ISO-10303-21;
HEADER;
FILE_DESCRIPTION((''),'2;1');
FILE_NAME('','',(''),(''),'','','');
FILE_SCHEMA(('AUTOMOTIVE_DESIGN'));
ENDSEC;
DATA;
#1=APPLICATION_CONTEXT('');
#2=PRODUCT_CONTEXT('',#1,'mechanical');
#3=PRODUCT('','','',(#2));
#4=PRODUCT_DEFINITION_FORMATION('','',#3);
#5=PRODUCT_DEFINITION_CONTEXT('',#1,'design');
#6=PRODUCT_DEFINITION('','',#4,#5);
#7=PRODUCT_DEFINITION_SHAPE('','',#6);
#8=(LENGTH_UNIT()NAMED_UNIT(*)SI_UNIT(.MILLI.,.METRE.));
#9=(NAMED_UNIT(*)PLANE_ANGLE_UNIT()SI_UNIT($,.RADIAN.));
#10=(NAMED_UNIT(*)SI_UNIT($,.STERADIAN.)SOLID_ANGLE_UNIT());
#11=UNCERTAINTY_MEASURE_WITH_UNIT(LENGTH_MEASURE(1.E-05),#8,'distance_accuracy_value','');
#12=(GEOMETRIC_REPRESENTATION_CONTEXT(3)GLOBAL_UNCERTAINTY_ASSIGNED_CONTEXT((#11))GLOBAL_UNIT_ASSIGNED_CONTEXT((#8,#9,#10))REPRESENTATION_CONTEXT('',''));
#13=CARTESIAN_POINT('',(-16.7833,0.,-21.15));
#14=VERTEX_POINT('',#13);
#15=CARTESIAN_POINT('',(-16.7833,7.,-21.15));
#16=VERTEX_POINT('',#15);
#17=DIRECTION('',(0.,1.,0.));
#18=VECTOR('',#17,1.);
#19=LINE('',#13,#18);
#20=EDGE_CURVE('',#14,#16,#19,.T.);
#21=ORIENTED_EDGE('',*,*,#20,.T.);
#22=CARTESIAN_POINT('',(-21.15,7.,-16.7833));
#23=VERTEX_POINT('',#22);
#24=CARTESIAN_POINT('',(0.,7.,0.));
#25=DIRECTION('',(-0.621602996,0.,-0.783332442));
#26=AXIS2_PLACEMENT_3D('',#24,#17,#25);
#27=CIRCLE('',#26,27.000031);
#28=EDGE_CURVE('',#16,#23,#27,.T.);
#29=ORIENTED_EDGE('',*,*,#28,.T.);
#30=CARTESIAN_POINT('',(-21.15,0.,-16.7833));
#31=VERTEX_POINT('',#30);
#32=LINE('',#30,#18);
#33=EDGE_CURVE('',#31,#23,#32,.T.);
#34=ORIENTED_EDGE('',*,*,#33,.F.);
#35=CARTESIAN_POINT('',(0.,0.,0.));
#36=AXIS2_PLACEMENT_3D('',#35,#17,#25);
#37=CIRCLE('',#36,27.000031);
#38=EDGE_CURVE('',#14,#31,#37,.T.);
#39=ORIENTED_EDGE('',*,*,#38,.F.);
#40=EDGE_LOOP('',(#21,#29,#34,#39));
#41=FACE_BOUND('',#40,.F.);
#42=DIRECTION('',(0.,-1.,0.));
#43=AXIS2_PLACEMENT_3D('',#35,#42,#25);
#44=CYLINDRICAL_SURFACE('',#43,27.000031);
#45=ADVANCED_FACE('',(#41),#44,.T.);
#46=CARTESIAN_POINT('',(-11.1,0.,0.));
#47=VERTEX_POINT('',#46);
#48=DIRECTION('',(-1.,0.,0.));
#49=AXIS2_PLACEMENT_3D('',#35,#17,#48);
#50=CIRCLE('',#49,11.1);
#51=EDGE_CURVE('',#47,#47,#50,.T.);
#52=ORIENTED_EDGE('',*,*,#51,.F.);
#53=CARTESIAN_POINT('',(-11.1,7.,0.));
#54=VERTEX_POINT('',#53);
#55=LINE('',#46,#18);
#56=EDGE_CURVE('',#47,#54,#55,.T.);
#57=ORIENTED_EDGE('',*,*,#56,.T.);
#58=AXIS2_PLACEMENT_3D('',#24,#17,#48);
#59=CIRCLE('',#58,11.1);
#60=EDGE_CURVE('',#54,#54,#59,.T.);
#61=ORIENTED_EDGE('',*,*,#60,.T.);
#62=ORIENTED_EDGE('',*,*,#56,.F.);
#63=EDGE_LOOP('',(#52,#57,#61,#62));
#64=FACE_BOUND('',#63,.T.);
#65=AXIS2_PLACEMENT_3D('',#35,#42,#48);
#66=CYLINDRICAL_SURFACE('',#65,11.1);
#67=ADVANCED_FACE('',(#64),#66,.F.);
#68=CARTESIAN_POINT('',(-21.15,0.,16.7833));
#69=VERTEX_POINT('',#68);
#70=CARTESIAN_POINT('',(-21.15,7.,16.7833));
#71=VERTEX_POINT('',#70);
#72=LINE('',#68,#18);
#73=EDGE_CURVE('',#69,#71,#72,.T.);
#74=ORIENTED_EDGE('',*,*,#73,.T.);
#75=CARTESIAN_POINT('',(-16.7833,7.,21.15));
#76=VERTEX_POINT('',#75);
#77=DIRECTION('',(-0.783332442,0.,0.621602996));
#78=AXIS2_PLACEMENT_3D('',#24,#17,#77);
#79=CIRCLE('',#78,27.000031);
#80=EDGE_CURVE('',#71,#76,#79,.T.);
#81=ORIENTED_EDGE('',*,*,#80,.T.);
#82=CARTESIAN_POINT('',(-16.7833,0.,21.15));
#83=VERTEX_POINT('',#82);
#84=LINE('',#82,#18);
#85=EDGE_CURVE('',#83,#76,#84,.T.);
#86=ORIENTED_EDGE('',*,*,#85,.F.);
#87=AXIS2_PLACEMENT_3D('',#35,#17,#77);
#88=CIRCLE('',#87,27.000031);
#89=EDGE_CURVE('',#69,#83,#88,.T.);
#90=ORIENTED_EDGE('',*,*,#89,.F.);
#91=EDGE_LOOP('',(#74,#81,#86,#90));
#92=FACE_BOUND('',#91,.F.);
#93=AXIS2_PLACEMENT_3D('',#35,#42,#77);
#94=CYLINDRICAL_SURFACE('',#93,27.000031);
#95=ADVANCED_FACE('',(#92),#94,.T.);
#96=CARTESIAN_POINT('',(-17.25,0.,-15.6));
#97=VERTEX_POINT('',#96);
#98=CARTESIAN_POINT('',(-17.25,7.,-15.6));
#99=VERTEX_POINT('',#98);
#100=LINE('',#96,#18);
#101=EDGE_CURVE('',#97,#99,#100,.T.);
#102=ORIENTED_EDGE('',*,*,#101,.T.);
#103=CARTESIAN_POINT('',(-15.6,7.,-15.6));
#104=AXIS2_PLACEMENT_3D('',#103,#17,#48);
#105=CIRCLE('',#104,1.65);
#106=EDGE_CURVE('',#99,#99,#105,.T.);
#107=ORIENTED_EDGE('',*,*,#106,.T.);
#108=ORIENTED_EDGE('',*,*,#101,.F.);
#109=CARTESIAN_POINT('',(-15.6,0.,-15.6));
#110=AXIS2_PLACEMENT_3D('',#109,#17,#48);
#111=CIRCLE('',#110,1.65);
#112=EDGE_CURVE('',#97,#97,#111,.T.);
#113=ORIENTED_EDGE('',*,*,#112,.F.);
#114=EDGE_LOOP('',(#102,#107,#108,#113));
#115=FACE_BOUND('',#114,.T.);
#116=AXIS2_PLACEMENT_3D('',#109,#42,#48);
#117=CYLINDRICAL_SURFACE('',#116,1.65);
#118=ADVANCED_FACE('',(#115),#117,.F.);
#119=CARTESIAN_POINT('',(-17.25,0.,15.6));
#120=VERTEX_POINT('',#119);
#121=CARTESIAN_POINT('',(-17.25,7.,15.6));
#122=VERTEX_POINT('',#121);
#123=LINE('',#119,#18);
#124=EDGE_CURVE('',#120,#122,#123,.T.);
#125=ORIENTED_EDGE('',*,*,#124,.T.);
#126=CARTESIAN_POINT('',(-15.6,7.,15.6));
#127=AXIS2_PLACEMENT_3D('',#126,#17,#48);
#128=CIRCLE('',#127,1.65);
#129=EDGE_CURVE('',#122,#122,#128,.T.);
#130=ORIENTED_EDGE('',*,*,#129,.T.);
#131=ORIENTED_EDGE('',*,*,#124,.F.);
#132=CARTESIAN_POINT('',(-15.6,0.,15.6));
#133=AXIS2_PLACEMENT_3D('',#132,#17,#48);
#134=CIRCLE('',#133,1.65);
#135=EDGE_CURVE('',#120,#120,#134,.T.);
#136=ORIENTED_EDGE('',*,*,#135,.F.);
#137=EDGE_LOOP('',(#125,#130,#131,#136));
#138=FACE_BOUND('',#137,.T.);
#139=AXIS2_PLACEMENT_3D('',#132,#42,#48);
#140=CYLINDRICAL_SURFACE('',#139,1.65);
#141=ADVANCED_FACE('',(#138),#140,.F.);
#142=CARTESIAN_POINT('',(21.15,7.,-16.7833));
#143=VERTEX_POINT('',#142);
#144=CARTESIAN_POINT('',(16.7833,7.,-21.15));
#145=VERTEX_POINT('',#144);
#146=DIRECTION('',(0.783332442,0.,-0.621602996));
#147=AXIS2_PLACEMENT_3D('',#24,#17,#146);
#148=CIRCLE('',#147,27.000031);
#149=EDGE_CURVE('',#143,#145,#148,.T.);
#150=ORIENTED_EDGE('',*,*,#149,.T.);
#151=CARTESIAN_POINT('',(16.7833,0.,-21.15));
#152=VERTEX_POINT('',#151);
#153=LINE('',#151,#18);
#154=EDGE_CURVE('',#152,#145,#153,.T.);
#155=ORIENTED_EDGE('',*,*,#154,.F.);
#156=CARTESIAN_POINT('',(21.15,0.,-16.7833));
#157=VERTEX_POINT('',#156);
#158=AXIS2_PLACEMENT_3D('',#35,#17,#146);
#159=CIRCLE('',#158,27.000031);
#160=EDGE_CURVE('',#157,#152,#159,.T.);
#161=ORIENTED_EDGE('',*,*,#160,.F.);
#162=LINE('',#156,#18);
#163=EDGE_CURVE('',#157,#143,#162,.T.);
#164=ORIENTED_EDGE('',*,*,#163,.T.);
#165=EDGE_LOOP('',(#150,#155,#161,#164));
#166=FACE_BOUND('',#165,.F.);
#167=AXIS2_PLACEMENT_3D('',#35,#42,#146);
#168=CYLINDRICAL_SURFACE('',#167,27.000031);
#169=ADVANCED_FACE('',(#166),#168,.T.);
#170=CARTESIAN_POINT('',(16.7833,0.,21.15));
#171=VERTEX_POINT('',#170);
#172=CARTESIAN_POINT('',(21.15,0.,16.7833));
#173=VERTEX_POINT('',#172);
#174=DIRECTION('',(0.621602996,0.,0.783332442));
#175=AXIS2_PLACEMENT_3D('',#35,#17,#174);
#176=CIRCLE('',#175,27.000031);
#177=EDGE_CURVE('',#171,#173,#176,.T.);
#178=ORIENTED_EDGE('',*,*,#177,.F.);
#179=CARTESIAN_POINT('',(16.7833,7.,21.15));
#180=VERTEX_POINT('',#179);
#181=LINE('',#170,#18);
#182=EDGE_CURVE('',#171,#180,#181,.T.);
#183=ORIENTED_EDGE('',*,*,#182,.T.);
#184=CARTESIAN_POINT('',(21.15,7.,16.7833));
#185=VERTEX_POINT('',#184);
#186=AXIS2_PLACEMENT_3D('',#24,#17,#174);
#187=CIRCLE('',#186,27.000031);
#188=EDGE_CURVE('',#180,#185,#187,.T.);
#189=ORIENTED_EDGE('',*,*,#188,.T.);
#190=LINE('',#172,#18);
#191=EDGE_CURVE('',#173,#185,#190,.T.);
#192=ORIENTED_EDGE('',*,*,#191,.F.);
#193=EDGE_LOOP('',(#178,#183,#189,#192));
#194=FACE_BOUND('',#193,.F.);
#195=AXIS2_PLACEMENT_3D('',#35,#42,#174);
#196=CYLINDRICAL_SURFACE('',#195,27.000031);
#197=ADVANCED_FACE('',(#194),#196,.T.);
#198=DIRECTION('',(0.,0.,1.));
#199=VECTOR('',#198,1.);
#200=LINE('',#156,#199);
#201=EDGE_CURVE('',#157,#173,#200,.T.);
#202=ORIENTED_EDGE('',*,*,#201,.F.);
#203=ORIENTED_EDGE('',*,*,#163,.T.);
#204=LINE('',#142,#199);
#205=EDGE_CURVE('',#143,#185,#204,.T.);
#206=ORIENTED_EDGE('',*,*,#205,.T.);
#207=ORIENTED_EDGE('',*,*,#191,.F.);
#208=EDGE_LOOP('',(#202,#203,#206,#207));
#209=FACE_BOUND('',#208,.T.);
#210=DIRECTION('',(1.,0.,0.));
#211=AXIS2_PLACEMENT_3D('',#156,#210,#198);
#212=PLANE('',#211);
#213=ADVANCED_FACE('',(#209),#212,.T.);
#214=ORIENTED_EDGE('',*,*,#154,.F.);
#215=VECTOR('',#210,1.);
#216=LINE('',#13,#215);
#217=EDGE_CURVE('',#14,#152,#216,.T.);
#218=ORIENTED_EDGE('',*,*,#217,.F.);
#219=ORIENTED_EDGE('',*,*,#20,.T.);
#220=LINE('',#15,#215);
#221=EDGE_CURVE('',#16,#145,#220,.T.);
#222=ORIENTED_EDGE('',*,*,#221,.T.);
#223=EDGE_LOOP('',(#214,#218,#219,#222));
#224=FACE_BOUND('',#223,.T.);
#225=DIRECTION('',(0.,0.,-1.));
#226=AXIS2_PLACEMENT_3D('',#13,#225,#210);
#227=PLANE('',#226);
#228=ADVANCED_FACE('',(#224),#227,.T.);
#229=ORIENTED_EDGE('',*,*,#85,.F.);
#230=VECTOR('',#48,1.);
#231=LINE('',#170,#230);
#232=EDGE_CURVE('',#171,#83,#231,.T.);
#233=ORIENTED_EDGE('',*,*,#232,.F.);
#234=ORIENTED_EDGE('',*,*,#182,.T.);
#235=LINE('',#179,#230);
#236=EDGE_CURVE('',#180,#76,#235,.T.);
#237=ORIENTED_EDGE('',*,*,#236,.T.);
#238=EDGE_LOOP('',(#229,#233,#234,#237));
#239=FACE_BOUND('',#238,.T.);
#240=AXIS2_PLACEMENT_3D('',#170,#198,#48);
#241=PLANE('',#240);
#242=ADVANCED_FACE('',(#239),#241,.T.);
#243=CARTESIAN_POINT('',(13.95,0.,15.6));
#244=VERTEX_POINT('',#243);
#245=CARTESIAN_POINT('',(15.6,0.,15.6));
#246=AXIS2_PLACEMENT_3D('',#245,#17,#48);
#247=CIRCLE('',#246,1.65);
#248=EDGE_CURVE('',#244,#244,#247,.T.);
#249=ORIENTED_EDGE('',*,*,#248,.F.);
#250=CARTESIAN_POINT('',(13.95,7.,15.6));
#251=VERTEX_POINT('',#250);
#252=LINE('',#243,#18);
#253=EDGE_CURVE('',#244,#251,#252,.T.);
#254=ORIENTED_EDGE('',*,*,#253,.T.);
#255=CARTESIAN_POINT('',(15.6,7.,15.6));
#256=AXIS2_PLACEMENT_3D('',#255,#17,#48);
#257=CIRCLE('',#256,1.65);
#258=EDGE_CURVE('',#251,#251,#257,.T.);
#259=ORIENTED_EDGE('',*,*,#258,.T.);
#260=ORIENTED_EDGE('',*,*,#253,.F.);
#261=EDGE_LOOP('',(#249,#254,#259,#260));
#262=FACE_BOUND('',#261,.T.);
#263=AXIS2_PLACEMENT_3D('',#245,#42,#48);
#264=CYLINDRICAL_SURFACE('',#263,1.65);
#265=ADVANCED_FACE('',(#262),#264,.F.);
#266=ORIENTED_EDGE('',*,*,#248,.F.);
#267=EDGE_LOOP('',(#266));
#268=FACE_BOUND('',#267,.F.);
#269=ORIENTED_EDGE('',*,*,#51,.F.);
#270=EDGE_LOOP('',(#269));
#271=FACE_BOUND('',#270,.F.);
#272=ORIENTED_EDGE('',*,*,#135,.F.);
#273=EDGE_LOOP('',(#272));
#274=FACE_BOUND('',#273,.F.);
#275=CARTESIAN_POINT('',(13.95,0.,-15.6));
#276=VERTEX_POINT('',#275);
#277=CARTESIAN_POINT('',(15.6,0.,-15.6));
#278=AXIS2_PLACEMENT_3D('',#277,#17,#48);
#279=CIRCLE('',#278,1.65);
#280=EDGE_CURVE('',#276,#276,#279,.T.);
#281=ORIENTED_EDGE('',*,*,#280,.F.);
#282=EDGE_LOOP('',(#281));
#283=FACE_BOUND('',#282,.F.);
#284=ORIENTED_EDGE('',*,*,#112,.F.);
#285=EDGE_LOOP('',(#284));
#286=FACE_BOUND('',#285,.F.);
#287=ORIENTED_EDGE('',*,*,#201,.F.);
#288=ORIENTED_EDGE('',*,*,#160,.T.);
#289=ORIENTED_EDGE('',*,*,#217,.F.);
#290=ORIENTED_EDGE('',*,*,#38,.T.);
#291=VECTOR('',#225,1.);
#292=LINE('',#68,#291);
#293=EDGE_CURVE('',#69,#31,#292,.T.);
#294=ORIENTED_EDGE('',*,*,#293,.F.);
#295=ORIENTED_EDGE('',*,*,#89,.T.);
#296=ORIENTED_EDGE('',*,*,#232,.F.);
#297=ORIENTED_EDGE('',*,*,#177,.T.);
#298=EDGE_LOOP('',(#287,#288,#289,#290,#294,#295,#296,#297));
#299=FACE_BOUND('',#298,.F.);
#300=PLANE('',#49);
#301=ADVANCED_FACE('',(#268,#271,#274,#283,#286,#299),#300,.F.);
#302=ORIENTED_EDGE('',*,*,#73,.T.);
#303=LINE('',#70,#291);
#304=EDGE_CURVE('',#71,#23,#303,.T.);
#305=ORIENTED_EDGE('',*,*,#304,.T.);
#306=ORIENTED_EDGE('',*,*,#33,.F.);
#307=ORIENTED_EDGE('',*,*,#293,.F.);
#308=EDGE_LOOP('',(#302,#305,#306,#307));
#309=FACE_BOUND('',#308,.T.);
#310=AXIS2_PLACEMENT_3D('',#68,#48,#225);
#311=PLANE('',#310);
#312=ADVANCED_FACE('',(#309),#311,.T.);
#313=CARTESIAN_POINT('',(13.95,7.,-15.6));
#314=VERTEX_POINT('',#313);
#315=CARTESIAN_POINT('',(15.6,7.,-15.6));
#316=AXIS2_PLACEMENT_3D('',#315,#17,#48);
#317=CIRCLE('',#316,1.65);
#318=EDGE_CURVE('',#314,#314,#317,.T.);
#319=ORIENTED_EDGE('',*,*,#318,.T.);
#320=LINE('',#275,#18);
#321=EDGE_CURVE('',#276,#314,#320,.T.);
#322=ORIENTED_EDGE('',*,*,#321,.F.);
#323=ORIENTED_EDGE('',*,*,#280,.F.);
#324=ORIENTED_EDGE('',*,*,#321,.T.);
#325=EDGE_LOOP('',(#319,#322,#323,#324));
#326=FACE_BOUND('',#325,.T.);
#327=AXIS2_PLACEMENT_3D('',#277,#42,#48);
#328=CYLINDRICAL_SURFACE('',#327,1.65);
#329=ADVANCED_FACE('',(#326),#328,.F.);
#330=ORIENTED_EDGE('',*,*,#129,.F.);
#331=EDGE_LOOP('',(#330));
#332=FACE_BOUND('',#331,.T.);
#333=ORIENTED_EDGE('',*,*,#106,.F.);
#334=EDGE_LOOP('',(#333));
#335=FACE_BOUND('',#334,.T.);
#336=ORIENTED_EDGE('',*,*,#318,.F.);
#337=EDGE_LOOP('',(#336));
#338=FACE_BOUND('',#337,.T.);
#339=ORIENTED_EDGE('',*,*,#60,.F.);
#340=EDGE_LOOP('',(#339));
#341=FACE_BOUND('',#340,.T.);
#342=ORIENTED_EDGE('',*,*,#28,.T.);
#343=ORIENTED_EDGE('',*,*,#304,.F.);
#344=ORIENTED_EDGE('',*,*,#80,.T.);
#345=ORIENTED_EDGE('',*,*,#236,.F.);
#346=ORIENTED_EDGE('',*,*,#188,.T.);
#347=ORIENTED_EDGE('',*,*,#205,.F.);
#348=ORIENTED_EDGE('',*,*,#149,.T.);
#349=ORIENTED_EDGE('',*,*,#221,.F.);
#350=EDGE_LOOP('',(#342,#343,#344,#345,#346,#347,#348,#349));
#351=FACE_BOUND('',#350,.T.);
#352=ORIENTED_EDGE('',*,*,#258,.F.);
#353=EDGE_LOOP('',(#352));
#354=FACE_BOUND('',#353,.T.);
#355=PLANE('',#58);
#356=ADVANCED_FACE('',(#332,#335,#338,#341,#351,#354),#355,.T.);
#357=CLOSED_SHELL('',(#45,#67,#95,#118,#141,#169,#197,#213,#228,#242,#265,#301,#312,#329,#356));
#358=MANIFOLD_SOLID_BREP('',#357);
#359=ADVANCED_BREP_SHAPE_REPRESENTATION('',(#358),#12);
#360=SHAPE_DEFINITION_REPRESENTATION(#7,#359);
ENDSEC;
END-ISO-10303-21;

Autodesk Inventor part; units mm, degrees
ref_plane "YZ Plane" through (0, 0, 0) normal (1, 0, 0) x (0, 1, 0)
ref_plane "XZ Plane" through (0, 0, 0) normal (0, 1, 0) x (-1, 0, 0)
ref_plane "XY Plane" through (0, 0, 0) normal (0, 0, 1) x (1, 0, 0)
sketch "Szkic1" plane through (0, 0, 0) normal (0, 1, 0) x (-1, 0, 0)
  line L0 (-16.7833, 21.15) -> (16.7833, 21.15)
  line L1 (21.15, 16.7833) -> (21.15, -16.7833)
  line L2 (16.7833, -21.15) -> (-16.7833, -21.15)
  line L3 (-21.15, -16.7833) -> (-21.15, 16.7833)
  line L4 (-21.15, 21.15) -> (21.15, -21.15) construction
  line L5 (21.15, 21.15) -> (-21.15, -21.15) construction
  circle A0 centre (15.6, 15.6) radius 1.65
  arc A1 (-16.7833, 21.15) -> (-21.15, 16.7833) centre (0, 0) ccw
  arc A2 (-21.15, -16.7833) -> (-16.7833, -21.15) centre (0, 0) ccw
  arc A3 (16.7833, -21.15) -> (21.15, -16.7833) centre (0, 0) ccw
  arc A4 (21.15, 16.7833) -> (16.7833, 21.15) centre (0, 0) ccw
  circle A5 centre (-15.6, 15.6) radius 1.65
  circle A6 centre (-15.6, -15.6) radius 1.65
  circle A7 centre (15.6, -15.6) radius 1.65
  circle A8 centre (0, 0) radius 11.1
  dimension "d0" = 42.3
  dimension "d1" = 42.3
  dimension "d2" = 15.6
  dimension "d3" = 3.3
  dimension "d7" = 360
  dimension "d11" = 22.2
extrude "Wyciągnięcie proste1" add sketch "Szkic1" along normal blind 7
properties part number "_Drukowanie 3D"
